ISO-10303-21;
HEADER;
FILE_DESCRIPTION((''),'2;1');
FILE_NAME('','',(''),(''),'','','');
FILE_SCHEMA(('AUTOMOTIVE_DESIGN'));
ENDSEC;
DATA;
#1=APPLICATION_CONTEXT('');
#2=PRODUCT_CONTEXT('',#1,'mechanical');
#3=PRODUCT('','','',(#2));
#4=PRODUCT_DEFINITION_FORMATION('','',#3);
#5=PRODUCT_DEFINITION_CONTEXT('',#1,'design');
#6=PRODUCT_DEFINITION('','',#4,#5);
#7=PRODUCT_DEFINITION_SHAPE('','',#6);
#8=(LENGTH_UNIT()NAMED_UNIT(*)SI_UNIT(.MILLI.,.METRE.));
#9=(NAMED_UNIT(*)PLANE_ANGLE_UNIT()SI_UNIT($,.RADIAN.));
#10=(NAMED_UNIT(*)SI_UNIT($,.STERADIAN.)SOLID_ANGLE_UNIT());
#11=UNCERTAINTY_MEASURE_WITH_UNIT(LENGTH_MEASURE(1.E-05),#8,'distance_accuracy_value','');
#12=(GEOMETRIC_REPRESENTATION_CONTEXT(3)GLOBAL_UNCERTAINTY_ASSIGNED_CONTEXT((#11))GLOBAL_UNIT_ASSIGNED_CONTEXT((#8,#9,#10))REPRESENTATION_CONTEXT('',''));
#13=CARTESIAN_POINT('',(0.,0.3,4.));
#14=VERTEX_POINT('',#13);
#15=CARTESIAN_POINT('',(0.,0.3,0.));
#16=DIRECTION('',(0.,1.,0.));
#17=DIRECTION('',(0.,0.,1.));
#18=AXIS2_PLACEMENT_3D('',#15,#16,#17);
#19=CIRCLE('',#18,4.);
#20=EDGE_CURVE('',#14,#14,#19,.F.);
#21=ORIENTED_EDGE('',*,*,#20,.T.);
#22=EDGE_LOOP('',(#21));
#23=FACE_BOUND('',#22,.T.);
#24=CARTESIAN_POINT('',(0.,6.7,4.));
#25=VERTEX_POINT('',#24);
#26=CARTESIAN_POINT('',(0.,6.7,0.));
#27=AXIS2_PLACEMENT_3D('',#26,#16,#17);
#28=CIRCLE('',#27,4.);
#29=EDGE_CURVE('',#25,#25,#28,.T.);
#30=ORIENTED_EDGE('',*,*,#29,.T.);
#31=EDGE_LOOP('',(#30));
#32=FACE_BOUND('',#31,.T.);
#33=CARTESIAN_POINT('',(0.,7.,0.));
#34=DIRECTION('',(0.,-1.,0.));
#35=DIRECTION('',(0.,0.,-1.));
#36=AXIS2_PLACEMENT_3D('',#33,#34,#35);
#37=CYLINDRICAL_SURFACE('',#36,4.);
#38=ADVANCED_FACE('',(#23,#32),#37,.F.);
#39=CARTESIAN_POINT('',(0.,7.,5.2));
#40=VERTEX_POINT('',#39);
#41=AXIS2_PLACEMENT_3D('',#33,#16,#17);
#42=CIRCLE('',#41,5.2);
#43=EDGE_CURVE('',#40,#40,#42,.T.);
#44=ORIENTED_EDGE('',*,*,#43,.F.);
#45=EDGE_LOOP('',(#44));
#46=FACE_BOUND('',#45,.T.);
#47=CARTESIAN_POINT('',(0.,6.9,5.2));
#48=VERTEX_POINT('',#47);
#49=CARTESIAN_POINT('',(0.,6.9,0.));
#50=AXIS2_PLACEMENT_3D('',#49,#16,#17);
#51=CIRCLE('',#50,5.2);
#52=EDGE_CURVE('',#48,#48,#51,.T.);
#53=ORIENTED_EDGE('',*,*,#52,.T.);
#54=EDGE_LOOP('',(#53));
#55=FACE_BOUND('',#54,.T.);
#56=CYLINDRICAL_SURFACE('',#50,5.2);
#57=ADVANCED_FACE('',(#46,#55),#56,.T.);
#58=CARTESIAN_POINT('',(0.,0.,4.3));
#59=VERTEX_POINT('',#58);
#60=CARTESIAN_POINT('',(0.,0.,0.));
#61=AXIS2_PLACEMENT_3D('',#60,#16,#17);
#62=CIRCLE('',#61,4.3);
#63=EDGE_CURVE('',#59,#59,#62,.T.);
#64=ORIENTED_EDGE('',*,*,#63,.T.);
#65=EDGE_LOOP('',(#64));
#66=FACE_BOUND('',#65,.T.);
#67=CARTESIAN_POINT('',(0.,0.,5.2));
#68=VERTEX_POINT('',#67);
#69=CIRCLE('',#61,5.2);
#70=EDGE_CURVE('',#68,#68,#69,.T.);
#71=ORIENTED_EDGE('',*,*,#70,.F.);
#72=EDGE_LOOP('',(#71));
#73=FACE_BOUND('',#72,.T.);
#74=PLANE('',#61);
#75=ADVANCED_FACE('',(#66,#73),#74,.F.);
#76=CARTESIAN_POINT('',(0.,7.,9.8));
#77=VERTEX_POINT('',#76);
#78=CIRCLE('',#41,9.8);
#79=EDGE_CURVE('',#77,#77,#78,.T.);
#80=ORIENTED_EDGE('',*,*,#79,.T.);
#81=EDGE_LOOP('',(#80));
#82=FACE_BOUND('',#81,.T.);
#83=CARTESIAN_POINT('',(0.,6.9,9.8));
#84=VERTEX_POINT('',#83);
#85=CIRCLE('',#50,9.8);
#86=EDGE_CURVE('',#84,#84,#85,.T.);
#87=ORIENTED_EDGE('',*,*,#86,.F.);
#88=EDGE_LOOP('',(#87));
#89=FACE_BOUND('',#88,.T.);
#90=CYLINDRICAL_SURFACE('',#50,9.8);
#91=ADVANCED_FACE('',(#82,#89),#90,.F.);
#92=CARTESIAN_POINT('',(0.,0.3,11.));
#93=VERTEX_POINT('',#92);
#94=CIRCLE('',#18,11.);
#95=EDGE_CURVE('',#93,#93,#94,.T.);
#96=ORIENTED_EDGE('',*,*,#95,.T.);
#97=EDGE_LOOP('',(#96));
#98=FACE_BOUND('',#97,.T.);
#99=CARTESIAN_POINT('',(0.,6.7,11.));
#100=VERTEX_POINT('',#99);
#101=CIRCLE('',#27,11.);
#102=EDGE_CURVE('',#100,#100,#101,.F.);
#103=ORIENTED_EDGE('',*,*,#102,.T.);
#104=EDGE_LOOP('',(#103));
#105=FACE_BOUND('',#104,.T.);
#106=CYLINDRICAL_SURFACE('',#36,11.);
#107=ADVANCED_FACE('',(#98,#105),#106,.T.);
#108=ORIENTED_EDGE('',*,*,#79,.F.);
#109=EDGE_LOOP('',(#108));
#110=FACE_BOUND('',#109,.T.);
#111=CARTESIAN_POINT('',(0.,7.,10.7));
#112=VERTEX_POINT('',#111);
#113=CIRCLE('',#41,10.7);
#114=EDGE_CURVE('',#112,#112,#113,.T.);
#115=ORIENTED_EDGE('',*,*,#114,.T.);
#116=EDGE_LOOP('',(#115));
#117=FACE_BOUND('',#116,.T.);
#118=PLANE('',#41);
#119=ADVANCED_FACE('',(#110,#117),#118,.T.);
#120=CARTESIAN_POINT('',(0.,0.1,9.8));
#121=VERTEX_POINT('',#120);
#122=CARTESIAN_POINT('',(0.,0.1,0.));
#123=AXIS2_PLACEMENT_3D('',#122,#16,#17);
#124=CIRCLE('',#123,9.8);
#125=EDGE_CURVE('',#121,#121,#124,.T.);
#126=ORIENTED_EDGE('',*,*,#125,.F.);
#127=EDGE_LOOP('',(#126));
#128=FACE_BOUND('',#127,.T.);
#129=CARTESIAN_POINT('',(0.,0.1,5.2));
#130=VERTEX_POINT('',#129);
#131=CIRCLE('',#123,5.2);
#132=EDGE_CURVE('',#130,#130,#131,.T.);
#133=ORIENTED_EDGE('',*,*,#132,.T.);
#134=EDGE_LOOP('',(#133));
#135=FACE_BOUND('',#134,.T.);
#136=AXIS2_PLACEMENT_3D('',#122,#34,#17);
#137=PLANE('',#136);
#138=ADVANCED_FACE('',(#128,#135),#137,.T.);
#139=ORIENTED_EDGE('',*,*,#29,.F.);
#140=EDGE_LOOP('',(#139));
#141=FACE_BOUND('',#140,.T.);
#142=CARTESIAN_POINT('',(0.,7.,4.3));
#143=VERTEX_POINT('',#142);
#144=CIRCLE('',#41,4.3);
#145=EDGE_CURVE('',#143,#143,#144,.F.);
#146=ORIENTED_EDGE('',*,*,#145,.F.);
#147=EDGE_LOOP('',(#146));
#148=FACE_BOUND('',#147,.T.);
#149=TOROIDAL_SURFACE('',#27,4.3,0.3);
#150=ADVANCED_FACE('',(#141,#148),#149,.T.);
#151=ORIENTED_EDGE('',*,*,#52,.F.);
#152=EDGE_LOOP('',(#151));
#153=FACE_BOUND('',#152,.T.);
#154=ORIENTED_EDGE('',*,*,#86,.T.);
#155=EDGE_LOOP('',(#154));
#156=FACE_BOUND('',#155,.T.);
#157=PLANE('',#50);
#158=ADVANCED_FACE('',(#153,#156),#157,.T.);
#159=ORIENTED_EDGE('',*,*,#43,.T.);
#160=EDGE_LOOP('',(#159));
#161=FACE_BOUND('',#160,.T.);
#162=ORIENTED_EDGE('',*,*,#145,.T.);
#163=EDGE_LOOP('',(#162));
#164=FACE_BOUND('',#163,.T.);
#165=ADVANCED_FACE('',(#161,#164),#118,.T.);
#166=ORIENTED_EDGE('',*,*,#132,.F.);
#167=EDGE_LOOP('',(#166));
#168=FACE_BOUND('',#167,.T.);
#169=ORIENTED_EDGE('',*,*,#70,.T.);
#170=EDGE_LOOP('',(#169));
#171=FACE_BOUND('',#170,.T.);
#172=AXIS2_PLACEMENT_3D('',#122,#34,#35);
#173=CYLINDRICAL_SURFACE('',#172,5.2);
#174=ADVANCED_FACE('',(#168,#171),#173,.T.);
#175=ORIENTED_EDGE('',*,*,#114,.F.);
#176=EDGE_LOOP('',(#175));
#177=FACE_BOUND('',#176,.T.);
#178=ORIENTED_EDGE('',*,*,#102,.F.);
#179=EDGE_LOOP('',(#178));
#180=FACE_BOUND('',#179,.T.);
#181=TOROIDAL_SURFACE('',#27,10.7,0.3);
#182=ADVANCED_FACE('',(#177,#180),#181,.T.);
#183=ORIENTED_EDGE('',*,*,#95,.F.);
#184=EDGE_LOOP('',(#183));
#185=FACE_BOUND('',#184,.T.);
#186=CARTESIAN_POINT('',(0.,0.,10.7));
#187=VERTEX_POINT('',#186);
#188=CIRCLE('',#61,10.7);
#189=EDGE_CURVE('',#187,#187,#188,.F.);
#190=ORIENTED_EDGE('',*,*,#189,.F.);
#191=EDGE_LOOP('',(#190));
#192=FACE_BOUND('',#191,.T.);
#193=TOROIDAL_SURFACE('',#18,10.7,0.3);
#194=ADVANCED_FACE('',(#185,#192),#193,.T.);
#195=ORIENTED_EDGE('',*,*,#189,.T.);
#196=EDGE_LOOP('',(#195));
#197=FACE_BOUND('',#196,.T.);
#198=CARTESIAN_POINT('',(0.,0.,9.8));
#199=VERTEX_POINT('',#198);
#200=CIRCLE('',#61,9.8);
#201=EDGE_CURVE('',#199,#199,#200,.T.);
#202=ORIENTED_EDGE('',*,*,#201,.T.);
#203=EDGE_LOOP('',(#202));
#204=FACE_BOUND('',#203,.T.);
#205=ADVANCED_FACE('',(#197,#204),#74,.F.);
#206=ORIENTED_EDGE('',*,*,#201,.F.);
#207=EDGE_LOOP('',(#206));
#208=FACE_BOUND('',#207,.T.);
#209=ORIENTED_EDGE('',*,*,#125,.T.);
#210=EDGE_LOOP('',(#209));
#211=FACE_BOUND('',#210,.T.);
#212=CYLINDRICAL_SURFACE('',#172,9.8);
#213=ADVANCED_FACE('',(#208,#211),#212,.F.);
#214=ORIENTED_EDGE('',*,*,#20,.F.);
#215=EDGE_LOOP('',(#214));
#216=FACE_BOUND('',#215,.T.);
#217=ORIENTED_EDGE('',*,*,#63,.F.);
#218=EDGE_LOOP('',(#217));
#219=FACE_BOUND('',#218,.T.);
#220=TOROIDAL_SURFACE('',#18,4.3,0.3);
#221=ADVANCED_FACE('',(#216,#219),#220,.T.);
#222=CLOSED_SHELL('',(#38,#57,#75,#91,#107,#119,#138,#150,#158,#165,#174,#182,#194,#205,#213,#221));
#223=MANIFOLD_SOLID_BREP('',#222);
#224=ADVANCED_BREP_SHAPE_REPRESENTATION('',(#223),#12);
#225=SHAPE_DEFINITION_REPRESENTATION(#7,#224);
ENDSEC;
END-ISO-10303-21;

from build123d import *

# Parameters (mm, degrees)
CROQUIS1_R              = 11
CROQUIS1_R_2            = 4
SALIENTE_EXTRUIR1_DEPTH = 7
CROQUIS2_R              = 9.8
CROQUIS2_R_2            = 5.2
CORTAR_EXTRUIR1_DEPTH   = 0.1
REDONDEO1_R             = 0.3


with BuildPart() as part:
    # Croquis1 → Saliente-Extruir1 (new body)
    with BuildSketch(Plane(origin=(0, 0, 0), x_dir=(1, 0, 0), z_dir=(0, 1, 0))):
        with Locations(Location((0, 0, 0), (0, 0, 270))):
            Circle(CROQUIS1_R)
        with Locations(Location((0, 0, 0), (0, 0, 270))):
            Circle(CROQUIS1_R_2, mode=Mode.SUBTRACT)
    extrude(amount=SALIENTE_EXTRUIR1_DEPTH)

    # Croquis2 → Cortar-Extruir1 (cut)
    with BuildSketch(Plane(origin=(0, 7, 0), x_dir=(1, 0, 0), z_dir=(0, 1, 0))):
        with Locations(Location((0, 0, 0), (0, 0, 270))):
            Circle(CROQUIS2_R)
        with Locations(Location((0, 0, 0), (0, 0, 270))):
            Circle(CROQUIS2_R_2, mode=Mode.SUBTRACT)
    cortar_extruir1 = extrude(amount=-CORTAR_EXTRUIR1_DEPTH, mode=Mode.SUBTRACT)

    # Simetría1: Cortar-Extruir1 across plane
    add(cortar_extruir1.mirror(Plane.ZX.offset(3.5)), mode=Mode.SUBTRACT)

    # Redondeo1
    redondeo1_edges = [part.edges().sort_by_distance(p)[0] for p in [
        (0, 0, -11),
        (0, 7, -11),
        (0, 0, -4),
        (0, 7, -4),
    ]]
    fillet(redondeo1_edges, radius=REDONDEO1_R)


solid = part.part
